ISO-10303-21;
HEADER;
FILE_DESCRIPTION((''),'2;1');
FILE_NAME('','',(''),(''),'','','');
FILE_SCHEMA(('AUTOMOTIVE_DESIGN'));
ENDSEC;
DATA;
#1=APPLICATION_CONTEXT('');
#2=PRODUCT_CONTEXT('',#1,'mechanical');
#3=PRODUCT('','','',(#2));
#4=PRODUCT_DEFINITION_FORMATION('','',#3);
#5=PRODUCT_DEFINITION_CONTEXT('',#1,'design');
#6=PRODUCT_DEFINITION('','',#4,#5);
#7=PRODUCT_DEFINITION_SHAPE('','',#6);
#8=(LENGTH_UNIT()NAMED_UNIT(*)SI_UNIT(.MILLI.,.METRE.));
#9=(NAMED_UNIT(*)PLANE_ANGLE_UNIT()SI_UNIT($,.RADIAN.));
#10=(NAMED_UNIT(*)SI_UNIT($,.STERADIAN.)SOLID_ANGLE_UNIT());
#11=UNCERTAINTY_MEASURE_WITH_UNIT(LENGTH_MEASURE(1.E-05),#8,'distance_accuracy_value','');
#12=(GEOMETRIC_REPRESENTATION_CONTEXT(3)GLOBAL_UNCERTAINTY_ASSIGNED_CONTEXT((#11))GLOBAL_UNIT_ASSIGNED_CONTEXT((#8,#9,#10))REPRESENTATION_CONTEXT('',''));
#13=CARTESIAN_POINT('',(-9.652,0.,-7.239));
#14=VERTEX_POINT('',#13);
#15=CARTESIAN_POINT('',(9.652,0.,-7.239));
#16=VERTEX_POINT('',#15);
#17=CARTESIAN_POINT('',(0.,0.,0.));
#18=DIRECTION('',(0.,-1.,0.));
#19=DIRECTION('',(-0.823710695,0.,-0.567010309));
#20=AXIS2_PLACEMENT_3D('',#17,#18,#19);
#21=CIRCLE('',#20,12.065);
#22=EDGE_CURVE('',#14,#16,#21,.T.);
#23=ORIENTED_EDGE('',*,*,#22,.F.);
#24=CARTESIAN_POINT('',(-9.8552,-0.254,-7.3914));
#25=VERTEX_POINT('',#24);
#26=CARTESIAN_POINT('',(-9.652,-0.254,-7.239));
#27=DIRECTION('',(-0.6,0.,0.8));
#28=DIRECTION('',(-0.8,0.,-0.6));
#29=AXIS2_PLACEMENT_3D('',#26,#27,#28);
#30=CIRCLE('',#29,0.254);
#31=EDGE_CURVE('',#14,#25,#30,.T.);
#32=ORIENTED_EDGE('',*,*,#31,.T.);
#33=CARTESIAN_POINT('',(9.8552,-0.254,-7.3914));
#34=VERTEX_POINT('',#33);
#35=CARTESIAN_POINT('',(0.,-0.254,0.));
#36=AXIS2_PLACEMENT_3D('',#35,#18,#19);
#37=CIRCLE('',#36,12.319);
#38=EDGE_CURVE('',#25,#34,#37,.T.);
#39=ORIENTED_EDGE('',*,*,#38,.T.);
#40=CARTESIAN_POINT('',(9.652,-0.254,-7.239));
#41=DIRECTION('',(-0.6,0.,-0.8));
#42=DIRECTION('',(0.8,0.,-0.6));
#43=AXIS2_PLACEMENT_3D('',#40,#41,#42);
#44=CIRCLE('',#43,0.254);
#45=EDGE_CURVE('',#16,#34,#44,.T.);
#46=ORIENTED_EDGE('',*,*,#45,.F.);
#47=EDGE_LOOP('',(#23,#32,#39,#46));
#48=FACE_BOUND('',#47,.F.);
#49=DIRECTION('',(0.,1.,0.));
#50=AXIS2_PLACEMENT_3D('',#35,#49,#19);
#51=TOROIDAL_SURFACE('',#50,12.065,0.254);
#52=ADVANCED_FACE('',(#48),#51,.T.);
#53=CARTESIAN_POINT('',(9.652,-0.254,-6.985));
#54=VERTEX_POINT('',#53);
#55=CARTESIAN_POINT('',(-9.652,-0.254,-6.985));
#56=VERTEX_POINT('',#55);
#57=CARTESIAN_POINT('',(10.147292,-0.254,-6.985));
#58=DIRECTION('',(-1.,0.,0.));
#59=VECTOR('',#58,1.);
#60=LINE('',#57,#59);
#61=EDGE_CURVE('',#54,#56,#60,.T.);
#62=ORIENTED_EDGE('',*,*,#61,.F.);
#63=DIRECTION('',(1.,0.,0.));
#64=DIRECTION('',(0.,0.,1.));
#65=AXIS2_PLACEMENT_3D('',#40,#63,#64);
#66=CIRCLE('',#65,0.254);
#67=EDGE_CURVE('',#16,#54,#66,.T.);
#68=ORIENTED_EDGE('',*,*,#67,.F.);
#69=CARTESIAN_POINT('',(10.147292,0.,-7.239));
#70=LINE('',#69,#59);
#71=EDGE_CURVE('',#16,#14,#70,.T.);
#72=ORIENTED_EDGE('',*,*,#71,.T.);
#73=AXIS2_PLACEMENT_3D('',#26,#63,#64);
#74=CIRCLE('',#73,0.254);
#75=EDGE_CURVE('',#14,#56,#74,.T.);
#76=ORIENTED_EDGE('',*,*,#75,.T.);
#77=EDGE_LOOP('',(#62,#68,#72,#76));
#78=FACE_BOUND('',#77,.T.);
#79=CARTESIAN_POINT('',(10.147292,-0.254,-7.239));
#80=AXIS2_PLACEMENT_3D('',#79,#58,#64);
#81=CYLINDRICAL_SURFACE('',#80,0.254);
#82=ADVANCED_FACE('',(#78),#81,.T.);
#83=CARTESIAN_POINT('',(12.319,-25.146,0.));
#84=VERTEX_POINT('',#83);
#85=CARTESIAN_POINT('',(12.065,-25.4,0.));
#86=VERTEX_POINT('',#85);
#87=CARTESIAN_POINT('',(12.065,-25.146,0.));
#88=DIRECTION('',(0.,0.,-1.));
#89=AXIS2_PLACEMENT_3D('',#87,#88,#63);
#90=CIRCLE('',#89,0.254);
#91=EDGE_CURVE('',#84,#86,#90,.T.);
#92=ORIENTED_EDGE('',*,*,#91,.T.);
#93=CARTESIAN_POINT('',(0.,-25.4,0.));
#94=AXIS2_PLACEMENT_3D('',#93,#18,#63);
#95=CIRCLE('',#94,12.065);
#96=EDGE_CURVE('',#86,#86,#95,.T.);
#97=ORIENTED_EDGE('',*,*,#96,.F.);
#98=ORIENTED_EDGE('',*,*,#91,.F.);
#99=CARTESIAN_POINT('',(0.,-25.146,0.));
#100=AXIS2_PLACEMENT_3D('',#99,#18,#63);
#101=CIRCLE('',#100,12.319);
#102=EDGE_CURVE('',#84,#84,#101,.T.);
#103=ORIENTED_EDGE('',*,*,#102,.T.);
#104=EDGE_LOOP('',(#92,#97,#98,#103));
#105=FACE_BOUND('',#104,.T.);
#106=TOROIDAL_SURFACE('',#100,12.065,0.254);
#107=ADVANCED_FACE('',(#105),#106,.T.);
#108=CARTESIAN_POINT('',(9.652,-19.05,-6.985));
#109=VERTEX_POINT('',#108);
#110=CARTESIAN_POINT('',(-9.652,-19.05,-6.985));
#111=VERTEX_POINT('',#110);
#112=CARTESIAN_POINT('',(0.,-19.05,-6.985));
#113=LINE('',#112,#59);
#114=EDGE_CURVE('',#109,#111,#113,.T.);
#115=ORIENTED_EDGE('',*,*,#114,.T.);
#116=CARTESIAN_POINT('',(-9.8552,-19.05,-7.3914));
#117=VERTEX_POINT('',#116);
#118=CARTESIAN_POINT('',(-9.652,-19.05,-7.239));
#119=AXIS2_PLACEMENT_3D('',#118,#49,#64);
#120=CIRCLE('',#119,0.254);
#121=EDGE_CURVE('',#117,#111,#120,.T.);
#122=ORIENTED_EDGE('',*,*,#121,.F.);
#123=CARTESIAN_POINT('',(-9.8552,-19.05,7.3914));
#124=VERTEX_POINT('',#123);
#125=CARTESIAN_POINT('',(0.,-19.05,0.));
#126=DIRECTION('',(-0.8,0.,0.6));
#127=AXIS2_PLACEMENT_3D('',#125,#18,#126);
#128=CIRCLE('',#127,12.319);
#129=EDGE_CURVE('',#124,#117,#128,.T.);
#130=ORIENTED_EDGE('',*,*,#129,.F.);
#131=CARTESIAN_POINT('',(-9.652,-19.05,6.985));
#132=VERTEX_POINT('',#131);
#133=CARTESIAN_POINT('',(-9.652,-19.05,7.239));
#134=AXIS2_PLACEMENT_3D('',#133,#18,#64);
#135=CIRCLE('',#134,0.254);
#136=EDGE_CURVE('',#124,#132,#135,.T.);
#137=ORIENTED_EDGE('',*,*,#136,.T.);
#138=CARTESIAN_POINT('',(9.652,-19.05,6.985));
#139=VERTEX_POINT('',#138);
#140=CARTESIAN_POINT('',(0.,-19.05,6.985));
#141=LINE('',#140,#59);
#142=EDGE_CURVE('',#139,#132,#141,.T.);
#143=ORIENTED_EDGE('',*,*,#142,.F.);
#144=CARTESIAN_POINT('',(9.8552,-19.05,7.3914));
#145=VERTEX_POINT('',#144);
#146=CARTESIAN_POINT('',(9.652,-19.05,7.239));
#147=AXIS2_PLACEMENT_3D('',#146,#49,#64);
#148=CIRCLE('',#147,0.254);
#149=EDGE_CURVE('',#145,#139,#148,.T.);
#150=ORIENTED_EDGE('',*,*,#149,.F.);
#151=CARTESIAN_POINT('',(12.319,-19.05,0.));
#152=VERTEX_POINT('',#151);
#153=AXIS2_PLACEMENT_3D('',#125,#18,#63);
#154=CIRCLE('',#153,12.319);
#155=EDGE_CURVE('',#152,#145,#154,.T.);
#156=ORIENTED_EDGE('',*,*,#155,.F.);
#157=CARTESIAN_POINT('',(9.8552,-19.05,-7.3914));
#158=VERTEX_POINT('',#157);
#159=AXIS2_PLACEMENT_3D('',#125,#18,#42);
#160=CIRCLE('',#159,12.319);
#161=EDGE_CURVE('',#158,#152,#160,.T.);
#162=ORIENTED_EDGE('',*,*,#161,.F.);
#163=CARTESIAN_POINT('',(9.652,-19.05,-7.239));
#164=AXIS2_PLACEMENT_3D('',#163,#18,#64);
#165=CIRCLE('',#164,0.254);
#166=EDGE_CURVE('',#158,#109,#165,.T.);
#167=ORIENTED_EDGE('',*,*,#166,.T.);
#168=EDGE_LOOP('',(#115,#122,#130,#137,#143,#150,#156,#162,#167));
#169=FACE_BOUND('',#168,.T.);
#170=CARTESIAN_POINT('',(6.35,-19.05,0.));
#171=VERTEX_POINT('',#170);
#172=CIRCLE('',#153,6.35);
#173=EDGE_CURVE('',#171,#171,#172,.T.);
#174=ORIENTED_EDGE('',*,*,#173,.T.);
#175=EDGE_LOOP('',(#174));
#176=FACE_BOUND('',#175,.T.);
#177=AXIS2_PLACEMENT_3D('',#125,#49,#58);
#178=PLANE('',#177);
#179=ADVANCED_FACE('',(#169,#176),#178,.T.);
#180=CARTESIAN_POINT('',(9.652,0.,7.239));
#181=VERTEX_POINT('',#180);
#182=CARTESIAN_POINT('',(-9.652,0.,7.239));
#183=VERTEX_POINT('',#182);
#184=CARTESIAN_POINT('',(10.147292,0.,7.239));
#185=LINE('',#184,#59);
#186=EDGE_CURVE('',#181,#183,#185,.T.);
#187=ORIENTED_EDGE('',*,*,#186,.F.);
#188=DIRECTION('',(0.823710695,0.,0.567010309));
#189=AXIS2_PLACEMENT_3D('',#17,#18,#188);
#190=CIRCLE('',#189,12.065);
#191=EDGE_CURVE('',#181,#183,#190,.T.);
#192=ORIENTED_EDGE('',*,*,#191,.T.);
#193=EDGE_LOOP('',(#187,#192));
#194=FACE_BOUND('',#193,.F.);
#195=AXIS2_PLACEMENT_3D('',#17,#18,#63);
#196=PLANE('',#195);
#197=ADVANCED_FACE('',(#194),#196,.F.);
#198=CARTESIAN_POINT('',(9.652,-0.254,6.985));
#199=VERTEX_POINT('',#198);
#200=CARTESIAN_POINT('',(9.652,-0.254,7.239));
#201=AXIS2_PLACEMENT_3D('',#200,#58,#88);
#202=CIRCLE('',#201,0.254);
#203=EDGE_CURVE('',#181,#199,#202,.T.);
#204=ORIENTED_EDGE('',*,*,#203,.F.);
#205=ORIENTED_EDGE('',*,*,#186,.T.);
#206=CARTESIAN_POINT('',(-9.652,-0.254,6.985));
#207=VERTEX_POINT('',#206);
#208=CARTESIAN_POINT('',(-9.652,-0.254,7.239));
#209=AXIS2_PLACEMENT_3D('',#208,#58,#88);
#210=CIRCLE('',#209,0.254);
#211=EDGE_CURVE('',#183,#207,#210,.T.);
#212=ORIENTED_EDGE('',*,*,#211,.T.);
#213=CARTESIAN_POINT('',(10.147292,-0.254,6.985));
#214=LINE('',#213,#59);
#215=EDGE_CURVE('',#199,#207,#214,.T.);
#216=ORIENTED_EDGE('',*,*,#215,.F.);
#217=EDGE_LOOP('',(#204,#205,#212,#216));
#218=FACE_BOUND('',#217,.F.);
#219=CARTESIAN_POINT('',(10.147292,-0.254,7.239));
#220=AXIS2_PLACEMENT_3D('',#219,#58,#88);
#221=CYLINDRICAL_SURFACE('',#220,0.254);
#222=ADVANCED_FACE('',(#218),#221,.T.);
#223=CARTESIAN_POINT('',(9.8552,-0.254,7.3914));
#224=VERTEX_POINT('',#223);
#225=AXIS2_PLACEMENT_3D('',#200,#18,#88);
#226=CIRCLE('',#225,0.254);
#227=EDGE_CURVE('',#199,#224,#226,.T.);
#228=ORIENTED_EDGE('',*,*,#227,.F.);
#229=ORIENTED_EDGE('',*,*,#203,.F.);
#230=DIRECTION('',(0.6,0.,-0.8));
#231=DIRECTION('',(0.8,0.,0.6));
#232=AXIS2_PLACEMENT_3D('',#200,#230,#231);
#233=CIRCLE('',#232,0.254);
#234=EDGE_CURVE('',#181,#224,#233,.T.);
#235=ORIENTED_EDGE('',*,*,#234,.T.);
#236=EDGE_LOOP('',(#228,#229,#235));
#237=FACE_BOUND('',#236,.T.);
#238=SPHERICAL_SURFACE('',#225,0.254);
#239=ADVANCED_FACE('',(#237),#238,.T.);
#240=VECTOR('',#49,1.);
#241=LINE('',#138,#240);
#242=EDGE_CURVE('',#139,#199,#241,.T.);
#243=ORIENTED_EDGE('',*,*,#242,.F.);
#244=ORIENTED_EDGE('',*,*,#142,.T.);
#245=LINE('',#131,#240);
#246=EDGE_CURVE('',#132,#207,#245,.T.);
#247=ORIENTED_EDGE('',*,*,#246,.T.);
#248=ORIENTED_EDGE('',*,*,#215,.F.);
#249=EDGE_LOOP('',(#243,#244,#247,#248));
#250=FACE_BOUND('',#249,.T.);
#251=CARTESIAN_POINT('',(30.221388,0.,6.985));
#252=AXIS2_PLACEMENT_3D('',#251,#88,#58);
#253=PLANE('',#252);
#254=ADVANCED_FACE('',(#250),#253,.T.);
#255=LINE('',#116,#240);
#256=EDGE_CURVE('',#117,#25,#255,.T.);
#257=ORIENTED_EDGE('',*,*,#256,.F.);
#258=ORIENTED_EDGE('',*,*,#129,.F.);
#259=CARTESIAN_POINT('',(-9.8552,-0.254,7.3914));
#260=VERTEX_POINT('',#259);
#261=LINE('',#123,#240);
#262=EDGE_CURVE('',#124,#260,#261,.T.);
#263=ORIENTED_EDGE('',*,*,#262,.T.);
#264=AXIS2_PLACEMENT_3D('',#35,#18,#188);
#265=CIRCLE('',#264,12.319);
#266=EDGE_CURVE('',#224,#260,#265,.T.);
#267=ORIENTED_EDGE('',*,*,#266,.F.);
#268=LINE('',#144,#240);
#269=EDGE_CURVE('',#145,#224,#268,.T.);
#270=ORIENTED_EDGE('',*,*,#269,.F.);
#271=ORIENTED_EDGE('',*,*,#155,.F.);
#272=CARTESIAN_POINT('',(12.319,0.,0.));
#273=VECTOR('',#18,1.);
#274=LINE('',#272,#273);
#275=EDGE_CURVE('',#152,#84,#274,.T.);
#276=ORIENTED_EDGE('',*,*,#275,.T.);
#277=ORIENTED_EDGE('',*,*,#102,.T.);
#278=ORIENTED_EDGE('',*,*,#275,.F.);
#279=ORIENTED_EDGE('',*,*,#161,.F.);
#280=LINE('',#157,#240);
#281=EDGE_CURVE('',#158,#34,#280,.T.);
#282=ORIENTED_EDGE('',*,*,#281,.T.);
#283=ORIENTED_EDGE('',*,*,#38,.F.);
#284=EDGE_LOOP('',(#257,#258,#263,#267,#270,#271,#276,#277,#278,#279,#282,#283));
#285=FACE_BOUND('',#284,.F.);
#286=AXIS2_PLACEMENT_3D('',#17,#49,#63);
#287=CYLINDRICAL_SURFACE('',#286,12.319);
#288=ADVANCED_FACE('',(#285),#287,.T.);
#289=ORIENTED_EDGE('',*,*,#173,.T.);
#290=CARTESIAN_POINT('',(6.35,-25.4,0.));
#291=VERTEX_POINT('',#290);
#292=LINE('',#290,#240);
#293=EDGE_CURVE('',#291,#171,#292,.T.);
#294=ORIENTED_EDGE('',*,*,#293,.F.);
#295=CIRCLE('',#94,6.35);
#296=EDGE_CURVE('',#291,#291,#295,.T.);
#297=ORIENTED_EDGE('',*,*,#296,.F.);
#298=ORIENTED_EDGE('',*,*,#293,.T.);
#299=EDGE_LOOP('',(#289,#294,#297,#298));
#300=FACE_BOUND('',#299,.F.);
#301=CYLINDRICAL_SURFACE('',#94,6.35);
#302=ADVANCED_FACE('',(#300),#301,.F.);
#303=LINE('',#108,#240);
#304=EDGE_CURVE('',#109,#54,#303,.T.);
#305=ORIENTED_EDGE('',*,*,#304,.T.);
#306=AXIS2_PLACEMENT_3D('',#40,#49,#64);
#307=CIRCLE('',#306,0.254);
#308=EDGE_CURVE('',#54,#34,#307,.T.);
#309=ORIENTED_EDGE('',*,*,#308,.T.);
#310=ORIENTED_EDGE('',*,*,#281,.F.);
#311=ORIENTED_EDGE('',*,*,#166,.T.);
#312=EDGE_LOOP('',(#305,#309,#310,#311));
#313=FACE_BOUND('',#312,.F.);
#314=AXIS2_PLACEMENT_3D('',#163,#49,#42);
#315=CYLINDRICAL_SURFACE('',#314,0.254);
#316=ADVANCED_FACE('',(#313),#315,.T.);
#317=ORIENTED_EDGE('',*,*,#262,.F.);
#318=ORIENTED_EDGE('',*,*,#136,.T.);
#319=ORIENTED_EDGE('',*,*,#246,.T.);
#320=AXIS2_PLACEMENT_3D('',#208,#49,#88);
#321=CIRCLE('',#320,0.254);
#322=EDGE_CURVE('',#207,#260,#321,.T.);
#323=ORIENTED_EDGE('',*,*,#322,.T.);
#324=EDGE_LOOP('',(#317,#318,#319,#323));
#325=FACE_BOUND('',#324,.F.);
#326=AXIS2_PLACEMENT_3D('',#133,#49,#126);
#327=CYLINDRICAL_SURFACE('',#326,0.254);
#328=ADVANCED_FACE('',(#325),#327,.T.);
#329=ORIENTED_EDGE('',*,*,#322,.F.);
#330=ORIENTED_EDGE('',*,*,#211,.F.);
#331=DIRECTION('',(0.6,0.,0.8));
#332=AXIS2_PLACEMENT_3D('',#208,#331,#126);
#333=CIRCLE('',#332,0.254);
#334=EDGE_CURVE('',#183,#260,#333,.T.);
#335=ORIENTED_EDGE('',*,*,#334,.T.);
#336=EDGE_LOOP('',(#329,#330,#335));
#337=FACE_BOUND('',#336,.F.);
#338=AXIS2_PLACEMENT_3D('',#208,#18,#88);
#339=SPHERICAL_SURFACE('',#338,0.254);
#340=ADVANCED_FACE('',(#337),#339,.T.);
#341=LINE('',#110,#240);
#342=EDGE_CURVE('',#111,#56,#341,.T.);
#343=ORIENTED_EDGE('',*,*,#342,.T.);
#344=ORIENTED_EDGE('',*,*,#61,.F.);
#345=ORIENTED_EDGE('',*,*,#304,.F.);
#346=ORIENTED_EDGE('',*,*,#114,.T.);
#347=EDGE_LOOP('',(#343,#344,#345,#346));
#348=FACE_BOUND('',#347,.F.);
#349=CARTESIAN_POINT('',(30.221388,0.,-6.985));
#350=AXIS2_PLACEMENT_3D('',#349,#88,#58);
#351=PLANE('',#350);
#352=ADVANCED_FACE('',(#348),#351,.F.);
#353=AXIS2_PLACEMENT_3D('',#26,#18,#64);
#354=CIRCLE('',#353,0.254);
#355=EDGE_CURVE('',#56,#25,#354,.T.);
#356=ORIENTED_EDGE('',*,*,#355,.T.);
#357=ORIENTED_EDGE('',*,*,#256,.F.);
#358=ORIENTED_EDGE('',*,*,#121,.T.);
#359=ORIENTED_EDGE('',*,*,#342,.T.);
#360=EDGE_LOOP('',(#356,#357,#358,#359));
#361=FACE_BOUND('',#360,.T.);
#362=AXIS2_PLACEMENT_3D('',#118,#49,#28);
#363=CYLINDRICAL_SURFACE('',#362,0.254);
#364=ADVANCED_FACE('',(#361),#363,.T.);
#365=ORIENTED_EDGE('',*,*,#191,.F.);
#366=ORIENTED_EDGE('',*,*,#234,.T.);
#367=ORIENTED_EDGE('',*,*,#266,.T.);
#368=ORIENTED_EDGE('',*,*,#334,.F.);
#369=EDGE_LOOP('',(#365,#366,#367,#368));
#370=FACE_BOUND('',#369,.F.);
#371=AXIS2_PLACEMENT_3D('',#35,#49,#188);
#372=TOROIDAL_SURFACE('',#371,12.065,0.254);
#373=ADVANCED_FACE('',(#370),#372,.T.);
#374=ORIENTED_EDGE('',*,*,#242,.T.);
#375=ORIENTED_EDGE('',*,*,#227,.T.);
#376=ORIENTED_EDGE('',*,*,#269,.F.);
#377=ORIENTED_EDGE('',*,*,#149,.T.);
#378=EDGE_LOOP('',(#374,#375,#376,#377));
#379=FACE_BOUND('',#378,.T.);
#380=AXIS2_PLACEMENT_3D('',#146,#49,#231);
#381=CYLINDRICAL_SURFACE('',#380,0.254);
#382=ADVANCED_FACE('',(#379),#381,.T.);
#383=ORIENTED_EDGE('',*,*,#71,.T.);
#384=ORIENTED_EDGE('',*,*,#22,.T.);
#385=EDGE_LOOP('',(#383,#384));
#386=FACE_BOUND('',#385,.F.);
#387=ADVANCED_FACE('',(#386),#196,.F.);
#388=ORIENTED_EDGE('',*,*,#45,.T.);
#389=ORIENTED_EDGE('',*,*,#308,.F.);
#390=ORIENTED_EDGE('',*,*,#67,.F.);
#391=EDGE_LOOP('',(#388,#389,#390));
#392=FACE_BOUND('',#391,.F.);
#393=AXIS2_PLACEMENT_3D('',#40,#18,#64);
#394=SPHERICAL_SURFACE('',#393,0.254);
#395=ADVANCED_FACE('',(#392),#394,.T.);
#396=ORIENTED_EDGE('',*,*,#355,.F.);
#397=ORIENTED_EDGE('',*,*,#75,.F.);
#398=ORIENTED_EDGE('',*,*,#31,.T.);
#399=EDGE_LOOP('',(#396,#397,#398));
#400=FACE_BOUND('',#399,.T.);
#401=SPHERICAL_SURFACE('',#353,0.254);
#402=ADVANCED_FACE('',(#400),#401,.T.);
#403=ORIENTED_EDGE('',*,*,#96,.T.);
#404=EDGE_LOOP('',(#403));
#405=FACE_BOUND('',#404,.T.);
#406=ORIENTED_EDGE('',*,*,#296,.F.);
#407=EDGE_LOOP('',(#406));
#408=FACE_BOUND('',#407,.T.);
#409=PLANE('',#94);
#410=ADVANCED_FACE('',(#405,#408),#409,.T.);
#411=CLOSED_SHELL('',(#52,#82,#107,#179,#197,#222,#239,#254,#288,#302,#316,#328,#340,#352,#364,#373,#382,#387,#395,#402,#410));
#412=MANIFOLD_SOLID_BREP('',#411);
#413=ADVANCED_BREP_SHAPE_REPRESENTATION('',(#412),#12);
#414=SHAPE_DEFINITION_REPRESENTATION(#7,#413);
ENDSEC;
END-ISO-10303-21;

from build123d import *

# Parameters (mm, degrees)
F0_R     = 12.319
F1_DEPTH = 25.4
F2_W     = 60.442776
F2_H     = 13.97
F3_DEPTH = 19.05
F4_R     = 6.35
F5_DEPTH = 25.4
F6_R     = 0.254


with BuildPart() as f1:
    # F0 (on Front) → F1 (new body)
    with BuildSketch(Plane.XZ):
        Circle(F0_R)
    extrude(amount=F1_DEPTH)

    # F2 (on face) → F3 (cut)
    with BuildSketch(Plane(origin=(0, 0, 0), x_dir=(-1, 0, 0), z_dir=(0, 1, 0))):
        Rectangle(F2_W, F2_H)
    extrude(amount=-F3_DEPTH, mode=Mode.SUBTRACT)

    # F4 (on face) → F5 (cut)
    with BuildSketch(Plane.XZ.offset(25.4)):
        Circle(F4_R)
    extrude(amount=-F5_DEPTH, mode=Mode.SUBTRACT)

    # F6
    f6_edges = [f1.edges().sort_by_distance(p)[0] for p in [
        (10.147292, -9.525, 6.985),
        (-10.147292, -9.525, 6.985),
        (0, 0, 6.985),
        (0, 0, 12.319),
        (0, 0, -12.319),
        (-10.147292, -9.525, -6.985),
        (10.147292, -9.525, -6.985),
        (0, 0, -6.985),
        (-12.319, -25.4, 0),
    ]]
    fillet(f6_edges, radius=F6_R)


solid = f1.part
